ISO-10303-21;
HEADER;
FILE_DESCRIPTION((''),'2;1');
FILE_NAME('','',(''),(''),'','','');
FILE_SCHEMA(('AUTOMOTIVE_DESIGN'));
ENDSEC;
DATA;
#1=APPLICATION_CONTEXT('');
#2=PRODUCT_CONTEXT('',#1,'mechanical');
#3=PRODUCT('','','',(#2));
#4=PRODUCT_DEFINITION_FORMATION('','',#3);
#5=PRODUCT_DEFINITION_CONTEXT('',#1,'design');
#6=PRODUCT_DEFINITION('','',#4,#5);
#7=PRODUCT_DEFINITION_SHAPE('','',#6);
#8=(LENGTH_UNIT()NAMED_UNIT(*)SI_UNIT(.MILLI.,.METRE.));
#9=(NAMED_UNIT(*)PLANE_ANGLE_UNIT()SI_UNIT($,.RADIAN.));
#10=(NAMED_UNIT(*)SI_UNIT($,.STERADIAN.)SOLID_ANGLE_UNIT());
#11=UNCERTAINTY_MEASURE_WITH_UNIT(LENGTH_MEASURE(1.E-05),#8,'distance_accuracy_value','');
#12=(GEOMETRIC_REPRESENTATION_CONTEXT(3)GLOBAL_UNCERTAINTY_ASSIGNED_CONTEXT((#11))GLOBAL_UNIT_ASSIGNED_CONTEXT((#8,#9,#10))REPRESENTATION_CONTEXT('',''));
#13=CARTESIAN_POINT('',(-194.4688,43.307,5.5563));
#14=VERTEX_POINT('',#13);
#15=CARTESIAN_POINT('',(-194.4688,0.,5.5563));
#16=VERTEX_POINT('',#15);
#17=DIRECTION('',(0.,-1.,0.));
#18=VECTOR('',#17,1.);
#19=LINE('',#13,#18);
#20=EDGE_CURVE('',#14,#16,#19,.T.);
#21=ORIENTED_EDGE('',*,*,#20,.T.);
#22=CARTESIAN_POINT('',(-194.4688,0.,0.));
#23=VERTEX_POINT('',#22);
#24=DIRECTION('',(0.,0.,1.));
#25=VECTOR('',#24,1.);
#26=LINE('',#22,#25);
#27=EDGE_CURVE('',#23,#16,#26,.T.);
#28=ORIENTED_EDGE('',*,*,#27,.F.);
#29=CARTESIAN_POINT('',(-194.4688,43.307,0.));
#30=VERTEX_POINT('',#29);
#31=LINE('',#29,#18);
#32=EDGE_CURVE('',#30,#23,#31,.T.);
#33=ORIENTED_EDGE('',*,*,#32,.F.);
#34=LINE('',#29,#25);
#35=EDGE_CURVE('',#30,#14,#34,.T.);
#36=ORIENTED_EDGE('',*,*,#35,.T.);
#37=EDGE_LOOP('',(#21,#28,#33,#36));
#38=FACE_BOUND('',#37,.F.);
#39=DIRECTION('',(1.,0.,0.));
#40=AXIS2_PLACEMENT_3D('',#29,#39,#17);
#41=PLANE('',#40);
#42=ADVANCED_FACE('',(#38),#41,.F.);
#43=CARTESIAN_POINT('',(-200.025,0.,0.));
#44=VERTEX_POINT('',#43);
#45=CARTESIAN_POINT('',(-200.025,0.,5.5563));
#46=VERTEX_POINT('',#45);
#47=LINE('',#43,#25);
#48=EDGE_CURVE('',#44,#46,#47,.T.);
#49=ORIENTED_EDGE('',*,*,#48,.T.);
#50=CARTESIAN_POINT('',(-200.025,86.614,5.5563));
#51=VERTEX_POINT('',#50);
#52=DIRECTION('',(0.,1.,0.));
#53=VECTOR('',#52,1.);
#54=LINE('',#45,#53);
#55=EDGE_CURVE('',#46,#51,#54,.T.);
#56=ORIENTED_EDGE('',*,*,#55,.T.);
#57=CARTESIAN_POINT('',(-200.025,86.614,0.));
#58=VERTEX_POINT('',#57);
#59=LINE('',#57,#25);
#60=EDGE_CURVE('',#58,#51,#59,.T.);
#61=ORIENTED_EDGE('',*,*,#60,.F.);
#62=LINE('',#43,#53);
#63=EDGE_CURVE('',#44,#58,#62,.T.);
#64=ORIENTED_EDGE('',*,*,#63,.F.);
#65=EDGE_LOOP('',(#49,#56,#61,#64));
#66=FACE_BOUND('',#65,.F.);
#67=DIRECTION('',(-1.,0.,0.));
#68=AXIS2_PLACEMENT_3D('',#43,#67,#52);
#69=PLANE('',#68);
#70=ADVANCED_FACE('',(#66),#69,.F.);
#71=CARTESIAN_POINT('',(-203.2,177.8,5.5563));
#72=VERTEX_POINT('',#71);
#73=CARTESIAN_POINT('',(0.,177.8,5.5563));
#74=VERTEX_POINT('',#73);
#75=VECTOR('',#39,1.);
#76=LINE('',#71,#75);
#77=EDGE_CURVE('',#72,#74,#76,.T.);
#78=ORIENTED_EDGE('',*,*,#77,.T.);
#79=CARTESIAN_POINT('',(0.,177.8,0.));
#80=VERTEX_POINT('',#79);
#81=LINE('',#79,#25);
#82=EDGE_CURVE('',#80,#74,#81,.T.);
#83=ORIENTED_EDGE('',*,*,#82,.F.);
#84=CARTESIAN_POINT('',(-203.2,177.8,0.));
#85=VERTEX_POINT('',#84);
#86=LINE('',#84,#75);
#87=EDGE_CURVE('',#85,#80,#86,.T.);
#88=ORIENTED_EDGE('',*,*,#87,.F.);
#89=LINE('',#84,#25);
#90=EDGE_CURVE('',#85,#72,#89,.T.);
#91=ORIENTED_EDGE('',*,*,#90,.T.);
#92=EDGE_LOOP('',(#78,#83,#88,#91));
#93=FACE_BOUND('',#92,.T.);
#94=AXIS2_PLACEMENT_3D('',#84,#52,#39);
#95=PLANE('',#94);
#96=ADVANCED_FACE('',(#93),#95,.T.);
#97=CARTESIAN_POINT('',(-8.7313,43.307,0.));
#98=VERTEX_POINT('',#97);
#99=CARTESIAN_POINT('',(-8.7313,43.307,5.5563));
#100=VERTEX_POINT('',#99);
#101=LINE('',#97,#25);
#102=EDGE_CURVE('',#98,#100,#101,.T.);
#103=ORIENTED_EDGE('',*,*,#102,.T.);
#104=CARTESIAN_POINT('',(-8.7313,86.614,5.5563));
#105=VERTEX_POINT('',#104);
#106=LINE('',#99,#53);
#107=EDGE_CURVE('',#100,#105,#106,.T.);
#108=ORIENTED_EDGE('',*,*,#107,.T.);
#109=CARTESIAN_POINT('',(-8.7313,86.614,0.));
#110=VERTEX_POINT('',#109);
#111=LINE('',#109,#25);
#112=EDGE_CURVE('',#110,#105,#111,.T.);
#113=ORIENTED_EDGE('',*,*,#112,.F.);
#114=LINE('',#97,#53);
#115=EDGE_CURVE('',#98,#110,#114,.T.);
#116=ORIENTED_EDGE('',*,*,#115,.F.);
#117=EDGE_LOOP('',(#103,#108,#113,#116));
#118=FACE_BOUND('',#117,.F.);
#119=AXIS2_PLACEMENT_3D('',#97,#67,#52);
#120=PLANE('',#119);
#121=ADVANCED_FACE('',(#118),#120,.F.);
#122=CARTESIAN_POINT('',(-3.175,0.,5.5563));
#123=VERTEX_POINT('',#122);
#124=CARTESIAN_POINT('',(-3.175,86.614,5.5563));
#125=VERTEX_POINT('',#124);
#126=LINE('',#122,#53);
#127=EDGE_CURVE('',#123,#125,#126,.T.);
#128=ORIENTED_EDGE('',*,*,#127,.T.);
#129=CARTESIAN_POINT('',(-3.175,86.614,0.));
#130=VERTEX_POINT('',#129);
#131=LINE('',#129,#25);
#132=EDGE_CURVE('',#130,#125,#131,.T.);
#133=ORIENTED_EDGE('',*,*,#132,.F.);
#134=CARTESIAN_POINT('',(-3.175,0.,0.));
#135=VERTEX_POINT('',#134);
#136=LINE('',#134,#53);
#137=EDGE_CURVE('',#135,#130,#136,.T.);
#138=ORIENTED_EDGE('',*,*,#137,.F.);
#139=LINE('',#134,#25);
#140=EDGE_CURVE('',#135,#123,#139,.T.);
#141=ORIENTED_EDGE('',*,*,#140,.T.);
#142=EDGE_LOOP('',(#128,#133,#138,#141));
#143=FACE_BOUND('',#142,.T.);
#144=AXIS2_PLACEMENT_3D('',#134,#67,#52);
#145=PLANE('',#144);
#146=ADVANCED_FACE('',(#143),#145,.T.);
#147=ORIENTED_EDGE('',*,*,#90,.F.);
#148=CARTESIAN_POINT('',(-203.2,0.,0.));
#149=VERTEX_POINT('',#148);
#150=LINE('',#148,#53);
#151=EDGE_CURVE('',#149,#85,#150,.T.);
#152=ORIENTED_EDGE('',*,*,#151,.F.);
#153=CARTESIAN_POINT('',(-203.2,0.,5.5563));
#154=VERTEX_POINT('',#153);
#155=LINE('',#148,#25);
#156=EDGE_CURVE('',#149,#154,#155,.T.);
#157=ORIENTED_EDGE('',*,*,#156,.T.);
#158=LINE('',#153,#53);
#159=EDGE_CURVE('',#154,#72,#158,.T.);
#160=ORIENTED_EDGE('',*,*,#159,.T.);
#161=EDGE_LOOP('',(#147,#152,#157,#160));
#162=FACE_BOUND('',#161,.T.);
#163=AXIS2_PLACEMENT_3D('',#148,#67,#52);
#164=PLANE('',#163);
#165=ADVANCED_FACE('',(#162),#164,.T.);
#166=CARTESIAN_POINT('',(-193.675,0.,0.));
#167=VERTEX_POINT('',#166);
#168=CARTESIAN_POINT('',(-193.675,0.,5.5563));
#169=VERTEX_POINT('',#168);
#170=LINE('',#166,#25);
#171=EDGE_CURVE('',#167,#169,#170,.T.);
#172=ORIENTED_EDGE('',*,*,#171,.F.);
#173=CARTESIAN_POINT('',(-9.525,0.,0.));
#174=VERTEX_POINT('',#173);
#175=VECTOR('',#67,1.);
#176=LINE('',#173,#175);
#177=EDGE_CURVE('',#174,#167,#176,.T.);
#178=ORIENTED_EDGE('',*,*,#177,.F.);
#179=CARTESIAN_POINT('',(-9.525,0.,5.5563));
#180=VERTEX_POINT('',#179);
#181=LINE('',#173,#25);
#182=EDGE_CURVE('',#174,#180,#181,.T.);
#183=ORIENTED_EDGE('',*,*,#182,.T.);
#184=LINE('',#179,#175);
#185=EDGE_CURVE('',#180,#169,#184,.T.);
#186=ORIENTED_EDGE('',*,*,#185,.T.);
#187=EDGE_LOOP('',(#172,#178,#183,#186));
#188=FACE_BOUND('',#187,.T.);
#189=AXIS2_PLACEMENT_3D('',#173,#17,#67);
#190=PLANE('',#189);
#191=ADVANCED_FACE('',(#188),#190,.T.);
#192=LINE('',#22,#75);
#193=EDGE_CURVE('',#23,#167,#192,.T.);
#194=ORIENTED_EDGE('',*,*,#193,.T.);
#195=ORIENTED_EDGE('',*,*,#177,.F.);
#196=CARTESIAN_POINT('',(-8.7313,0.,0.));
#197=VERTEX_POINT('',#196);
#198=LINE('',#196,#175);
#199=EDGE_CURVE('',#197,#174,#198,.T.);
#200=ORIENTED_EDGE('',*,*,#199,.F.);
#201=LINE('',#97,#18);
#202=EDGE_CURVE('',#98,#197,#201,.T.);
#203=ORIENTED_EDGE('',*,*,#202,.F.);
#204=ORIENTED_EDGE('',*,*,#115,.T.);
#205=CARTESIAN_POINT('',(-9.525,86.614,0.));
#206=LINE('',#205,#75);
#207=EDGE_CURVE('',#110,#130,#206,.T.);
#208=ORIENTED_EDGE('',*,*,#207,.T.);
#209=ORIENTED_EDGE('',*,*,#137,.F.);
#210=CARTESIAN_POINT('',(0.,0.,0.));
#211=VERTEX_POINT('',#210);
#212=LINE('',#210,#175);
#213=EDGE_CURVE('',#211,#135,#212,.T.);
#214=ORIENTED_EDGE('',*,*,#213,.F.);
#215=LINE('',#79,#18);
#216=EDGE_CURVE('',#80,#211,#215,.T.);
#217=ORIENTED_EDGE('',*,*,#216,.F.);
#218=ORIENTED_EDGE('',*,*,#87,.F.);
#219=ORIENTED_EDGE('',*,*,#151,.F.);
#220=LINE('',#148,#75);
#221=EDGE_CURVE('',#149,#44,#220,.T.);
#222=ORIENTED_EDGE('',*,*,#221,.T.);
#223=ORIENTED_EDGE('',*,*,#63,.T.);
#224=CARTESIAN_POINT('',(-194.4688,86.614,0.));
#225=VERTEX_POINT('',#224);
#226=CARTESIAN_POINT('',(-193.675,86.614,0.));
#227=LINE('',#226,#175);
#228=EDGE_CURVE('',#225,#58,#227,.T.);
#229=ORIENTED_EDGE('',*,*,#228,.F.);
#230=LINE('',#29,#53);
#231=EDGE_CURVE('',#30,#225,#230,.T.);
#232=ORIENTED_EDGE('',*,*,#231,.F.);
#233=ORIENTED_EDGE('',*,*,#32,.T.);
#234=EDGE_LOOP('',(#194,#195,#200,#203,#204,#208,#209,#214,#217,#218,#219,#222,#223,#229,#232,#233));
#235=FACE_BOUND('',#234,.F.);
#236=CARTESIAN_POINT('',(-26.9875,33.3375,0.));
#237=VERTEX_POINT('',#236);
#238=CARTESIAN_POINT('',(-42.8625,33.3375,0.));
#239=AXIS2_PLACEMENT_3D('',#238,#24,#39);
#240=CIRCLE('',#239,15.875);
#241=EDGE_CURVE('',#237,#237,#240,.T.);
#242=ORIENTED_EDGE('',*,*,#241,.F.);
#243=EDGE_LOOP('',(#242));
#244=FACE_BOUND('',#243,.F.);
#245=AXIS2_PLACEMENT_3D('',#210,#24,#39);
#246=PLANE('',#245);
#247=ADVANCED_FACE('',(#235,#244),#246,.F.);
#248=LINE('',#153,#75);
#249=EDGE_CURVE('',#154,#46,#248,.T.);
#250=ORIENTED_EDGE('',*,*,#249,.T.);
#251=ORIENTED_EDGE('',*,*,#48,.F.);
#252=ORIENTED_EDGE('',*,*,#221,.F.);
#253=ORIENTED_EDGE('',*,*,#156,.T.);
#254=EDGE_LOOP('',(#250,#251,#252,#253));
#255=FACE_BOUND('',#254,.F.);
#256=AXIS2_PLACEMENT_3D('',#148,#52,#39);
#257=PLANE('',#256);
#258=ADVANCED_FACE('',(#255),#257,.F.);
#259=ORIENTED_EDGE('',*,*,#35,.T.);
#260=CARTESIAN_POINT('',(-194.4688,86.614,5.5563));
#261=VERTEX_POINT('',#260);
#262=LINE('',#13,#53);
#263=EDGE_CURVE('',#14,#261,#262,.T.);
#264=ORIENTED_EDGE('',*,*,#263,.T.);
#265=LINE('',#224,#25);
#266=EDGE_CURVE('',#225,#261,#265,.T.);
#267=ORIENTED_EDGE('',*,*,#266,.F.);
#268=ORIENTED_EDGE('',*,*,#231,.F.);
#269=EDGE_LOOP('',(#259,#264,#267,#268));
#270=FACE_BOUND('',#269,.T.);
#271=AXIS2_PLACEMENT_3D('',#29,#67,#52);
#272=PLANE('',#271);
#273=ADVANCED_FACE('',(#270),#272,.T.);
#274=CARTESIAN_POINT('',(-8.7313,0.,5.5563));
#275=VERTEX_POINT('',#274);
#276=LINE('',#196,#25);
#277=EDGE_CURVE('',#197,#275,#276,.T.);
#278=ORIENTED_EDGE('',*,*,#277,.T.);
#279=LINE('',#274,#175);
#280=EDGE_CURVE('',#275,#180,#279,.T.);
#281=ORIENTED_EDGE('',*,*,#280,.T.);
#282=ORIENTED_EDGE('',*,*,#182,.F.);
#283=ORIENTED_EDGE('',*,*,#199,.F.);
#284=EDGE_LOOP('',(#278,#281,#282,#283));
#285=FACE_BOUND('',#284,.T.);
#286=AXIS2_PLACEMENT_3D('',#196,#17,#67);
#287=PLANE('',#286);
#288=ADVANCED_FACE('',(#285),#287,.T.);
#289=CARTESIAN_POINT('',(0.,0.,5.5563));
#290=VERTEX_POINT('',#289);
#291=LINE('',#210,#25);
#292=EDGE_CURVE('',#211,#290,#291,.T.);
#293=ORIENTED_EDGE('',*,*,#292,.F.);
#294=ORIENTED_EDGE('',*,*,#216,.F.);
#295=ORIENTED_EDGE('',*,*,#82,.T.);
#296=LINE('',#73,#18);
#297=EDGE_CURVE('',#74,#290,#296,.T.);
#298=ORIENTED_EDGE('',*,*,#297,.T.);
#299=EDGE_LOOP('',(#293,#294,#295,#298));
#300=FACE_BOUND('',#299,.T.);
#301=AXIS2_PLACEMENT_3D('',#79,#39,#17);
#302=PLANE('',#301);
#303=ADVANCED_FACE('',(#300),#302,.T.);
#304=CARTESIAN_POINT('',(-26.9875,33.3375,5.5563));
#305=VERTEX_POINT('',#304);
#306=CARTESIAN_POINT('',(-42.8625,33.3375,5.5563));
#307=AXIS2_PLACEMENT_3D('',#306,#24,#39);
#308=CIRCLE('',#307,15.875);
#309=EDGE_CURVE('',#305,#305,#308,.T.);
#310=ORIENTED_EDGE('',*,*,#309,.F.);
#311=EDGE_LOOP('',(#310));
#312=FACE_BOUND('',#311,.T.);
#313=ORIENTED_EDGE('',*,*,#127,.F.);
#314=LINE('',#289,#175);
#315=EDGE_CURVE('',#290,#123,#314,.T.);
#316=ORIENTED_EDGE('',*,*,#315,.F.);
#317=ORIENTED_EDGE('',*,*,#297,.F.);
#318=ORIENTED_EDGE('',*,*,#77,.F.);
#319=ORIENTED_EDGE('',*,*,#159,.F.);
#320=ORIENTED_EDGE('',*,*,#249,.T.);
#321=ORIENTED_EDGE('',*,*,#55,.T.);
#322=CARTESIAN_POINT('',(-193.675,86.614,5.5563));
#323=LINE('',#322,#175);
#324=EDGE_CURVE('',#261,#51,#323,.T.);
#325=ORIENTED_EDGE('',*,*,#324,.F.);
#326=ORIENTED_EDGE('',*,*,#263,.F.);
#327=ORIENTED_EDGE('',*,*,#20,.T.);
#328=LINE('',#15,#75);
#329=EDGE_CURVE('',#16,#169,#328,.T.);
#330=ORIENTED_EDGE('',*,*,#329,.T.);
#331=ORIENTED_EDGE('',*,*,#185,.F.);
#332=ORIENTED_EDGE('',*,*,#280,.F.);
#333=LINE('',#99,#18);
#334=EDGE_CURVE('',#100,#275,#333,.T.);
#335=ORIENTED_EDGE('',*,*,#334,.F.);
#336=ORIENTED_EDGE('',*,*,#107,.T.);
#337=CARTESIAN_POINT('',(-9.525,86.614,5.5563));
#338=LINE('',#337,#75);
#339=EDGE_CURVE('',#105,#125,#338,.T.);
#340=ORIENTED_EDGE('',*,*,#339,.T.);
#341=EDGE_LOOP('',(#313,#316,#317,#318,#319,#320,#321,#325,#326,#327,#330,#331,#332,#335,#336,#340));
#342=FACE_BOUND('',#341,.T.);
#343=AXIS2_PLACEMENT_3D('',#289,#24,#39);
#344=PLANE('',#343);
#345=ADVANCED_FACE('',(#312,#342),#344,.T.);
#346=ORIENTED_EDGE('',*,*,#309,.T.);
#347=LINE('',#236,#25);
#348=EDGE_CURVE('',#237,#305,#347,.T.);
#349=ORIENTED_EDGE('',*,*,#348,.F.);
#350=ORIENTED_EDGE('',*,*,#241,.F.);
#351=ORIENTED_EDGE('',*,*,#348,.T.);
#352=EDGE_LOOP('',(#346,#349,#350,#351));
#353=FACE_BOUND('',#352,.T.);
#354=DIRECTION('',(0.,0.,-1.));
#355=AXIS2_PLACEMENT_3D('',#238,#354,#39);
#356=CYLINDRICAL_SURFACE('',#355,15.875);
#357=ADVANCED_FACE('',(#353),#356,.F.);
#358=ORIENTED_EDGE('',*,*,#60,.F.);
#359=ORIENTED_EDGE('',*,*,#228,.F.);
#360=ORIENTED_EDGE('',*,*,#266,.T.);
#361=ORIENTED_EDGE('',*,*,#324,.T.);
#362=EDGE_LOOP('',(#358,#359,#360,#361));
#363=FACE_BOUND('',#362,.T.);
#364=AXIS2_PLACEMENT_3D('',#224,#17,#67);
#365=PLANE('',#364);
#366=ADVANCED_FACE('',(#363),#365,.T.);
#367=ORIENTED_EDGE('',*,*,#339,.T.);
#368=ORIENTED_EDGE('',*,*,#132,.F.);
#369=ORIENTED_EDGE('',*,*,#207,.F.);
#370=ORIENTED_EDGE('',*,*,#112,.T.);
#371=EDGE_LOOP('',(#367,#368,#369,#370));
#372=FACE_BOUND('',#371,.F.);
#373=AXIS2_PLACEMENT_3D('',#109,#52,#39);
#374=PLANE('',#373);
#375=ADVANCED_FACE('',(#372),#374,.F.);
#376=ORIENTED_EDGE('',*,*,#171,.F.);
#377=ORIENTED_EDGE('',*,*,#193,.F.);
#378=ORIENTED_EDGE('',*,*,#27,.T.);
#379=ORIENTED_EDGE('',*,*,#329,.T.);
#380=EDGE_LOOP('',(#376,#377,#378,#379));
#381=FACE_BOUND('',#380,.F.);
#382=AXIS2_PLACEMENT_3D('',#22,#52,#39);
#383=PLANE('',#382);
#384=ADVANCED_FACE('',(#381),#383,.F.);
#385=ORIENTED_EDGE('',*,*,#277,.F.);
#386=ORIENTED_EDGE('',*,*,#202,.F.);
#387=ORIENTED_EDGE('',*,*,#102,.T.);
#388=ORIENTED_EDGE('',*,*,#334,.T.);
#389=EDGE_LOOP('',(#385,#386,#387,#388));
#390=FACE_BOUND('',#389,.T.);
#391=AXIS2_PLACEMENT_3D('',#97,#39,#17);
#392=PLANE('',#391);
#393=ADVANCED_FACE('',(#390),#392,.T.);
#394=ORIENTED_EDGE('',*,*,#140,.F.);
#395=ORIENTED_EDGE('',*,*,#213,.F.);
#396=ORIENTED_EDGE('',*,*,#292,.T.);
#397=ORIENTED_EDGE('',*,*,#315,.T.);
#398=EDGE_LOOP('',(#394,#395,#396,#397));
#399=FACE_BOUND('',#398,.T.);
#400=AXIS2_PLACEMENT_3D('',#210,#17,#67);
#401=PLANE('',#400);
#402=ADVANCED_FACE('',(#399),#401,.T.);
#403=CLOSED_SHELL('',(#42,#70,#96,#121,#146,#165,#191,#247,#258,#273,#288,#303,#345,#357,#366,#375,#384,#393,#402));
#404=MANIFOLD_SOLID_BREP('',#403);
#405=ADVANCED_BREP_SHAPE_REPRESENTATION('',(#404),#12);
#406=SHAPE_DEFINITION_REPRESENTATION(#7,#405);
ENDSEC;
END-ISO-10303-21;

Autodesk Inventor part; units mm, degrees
ref_plane "YZ Plane" through (0, 0, 0) normal (1, 0, 0) x (0, 1, 0)
ref_plane "XZ Plane" through (0, 0, 0) normal (0, 1, 0) x (-1, 0, 0)
ref_plane "XY Plane" through (0, 0, 0) normal (0, 0, 1) x (1, 0, 0)
sketch "Sketch1" plane through (0, 0, 0) normal (0, 0, 1) x (1, 0, 0)
  line L0 (-203.2, 0) -> (-203.2, 177.8)
  line L1 (-203.2, 177.8) -> (0, 177.8)
  line L2 (0, 177.8) -> (0, 0)
  line L3 (-203.2, 0) -> (-200.025, 0)
  line L4 (-200.025, 0) -> (-200.025, 86.614)
  line L5 (0, 0) -> (-3.175, 0)
  line L6 (-3.175, 0) -> (-3.175, 86.614)
  line L7 (-9.525, 86.614) -> (-3.175, 86.614)
  line L8 (-193.675, 86.614) -> (-200.025, 86.614)
  line L9 (-200.025, 0) -> (-203.2, 0)
  line L10 (0, 0) -> (-3.175, 0)
  line L11 (-9.525, 0) -> (-193.675, 0)
  circle A0 centre (-42.8625, 33.3375) radius 15.875
  line L12 (-9.525, 43.307) -> (-8.7313, 43.307)
  line L13 (-8.7313, 43.307) -> (-8.7313, 86.614)
  line L14 (-8.7313, 43.307) -> (-8.7313, 0)
  line L15 (-8.7313, 0) -> (-9.525, 0)
  line L16 (-194.4688, 43.307) -> (-194.4688, 86.614)
  line L17 (-194.4688, 43.307) -> (-194.4688, 0)
  line L18 (-194.4688, 0) -> (-193.675, 0)
  dimension "d0" = 203.2
  dimension "d7" = 31.75
extrude "Extrusion1" add sketch "Sketch1" along normal blind 5.5563
properties part number "back"
